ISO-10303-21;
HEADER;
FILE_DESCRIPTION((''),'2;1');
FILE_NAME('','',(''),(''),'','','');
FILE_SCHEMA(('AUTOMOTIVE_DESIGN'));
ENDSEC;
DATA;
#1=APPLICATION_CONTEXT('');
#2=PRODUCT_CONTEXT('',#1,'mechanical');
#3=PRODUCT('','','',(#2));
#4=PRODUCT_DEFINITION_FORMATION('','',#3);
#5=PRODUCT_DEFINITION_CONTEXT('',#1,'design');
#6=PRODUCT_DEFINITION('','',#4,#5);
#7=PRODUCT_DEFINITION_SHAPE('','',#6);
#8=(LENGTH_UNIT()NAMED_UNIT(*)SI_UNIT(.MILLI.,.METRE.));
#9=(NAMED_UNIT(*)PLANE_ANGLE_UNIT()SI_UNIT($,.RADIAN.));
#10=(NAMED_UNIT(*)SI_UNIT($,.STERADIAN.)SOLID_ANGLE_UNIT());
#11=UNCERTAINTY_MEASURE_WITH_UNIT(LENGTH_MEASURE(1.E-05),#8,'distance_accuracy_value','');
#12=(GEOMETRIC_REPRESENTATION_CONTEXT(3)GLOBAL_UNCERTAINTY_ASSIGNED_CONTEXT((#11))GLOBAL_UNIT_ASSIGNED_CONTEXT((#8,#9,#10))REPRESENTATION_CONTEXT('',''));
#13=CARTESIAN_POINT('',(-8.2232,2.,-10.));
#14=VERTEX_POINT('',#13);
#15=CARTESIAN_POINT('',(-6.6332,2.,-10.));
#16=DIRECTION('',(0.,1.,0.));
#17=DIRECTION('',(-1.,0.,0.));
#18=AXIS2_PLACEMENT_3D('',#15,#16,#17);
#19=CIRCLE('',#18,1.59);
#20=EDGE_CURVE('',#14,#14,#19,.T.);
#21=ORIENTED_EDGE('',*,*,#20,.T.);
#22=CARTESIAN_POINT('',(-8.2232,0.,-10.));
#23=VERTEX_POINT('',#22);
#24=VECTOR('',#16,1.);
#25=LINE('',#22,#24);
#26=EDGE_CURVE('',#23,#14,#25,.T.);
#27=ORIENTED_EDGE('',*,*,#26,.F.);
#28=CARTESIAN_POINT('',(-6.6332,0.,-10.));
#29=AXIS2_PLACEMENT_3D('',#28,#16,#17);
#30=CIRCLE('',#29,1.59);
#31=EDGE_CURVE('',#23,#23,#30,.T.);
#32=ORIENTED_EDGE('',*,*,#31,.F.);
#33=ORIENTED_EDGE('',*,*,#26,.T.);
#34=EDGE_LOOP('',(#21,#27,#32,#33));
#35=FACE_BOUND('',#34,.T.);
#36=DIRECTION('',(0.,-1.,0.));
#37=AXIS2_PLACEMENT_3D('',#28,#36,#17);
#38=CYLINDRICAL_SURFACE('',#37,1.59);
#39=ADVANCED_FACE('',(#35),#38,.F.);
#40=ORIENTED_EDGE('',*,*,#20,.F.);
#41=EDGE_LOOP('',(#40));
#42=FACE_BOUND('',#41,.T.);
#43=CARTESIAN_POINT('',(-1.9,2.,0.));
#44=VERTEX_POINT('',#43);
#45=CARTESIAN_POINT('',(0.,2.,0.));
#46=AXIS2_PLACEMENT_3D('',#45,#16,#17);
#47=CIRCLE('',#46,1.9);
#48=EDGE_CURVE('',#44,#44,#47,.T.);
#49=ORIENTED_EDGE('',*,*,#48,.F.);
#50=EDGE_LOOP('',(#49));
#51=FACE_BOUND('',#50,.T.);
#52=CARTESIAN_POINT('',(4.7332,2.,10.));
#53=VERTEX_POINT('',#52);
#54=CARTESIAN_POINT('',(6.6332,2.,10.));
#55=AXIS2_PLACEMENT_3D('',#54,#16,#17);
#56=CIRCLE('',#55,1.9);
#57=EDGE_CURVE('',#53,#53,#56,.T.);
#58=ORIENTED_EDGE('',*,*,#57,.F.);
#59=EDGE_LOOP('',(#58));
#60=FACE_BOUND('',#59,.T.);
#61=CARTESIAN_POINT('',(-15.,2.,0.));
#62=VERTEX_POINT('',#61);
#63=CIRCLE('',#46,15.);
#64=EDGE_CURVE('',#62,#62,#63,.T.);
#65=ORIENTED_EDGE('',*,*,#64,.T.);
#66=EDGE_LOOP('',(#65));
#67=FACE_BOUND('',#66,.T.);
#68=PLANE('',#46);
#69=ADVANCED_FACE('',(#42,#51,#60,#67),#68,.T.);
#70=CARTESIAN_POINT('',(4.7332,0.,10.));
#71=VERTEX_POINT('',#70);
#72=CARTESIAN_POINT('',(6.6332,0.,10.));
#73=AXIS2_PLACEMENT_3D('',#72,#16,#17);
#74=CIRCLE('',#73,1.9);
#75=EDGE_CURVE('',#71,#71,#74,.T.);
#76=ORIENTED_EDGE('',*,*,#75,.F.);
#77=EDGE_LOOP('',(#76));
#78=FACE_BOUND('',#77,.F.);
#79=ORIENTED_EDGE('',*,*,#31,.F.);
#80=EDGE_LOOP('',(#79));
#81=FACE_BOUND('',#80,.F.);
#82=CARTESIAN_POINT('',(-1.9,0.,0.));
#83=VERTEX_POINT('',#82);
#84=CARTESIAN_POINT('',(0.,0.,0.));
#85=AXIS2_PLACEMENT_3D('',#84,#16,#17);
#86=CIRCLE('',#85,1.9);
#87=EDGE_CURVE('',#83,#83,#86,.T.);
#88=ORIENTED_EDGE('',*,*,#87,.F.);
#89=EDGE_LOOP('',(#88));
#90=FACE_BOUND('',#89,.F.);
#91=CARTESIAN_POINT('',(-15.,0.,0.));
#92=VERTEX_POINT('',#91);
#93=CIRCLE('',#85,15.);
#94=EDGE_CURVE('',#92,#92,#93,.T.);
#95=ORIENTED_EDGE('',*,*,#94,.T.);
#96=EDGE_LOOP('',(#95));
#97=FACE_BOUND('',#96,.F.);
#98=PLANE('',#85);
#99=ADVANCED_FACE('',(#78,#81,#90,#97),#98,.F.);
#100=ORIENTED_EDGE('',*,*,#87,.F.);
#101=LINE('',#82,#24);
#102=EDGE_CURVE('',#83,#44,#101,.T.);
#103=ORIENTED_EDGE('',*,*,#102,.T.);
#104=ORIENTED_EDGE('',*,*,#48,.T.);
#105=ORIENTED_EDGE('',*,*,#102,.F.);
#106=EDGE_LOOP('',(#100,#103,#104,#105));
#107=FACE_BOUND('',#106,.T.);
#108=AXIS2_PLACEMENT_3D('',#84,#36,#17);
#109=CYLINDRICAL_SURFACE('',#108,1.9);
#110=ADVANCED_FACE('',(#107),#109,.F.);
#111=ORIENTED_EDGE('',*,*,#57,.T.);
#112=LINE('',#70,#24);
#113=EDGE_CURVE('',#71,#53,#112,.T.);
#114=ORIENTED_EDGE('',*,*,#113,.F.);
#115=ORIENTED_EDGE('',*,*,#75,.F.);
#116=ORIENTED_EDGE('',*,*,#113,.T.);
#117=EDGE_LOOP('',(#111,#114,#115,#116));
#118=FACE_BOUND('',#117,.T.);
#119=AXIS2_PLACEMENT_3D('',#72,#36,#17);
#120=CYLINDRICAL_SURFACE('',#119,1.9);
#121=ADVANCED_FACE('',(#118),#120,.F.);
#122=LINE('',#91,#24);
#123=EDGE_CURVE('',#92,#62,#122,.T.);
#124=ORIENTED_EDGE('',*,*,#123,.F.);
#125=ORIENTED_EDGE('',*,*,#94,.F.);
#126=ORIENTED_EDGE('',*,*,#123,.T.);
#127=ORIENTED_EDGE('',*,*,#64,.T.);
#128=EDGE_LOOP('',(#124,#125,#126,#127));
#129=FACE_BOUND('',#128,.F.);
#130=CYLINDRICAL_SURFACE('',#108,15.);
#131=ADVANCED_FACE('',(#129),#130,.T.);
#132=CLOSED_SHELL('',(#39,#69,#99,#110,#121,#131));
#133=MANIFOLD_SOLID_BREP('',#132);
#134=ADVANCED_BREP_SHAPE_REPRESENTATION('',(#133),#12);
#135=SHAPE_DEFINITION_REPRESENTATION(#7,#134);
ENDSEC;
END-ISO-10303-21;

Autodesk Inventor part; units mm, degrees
ref_plane "YZ Plane" through (0, 0, 0) normal (1, 0, 0) x (0, 1, 0)
ref_plane "XZ Plane" through (0, 0, 0) normal (0, 1, 0) x (-1, 0, 0)
ref_plane "XY Plane" through (0, 0, 0) normal (0, 0, 1) x (1, 0, 0)
sketch "Sketch1" plane through (0, 0, 0) normal (0, 1, 0) x (-1, 0, 0)
  circle A0 centre (0, 0) radius 15
  circle A1 centre (0, 0) radius 1.9
  circle A2 centre (6.6332, -10) radius 1.59
  circle A3 centre (-6.6332, 10) radius 1.9
  dimension "d0" = 30
  dimension "d1" = 3.8
  dimension "d2" = 3.18
  dimension "d3" = 12
  dimension "d4" = 10
  dimension "d10" = 12
  dimension "d11" = 3.8
  dimension "d12" = 10
extrude "Extrusion1" add sketch "Sketch1" along normal blind 2
properties part number "Giroservo"
